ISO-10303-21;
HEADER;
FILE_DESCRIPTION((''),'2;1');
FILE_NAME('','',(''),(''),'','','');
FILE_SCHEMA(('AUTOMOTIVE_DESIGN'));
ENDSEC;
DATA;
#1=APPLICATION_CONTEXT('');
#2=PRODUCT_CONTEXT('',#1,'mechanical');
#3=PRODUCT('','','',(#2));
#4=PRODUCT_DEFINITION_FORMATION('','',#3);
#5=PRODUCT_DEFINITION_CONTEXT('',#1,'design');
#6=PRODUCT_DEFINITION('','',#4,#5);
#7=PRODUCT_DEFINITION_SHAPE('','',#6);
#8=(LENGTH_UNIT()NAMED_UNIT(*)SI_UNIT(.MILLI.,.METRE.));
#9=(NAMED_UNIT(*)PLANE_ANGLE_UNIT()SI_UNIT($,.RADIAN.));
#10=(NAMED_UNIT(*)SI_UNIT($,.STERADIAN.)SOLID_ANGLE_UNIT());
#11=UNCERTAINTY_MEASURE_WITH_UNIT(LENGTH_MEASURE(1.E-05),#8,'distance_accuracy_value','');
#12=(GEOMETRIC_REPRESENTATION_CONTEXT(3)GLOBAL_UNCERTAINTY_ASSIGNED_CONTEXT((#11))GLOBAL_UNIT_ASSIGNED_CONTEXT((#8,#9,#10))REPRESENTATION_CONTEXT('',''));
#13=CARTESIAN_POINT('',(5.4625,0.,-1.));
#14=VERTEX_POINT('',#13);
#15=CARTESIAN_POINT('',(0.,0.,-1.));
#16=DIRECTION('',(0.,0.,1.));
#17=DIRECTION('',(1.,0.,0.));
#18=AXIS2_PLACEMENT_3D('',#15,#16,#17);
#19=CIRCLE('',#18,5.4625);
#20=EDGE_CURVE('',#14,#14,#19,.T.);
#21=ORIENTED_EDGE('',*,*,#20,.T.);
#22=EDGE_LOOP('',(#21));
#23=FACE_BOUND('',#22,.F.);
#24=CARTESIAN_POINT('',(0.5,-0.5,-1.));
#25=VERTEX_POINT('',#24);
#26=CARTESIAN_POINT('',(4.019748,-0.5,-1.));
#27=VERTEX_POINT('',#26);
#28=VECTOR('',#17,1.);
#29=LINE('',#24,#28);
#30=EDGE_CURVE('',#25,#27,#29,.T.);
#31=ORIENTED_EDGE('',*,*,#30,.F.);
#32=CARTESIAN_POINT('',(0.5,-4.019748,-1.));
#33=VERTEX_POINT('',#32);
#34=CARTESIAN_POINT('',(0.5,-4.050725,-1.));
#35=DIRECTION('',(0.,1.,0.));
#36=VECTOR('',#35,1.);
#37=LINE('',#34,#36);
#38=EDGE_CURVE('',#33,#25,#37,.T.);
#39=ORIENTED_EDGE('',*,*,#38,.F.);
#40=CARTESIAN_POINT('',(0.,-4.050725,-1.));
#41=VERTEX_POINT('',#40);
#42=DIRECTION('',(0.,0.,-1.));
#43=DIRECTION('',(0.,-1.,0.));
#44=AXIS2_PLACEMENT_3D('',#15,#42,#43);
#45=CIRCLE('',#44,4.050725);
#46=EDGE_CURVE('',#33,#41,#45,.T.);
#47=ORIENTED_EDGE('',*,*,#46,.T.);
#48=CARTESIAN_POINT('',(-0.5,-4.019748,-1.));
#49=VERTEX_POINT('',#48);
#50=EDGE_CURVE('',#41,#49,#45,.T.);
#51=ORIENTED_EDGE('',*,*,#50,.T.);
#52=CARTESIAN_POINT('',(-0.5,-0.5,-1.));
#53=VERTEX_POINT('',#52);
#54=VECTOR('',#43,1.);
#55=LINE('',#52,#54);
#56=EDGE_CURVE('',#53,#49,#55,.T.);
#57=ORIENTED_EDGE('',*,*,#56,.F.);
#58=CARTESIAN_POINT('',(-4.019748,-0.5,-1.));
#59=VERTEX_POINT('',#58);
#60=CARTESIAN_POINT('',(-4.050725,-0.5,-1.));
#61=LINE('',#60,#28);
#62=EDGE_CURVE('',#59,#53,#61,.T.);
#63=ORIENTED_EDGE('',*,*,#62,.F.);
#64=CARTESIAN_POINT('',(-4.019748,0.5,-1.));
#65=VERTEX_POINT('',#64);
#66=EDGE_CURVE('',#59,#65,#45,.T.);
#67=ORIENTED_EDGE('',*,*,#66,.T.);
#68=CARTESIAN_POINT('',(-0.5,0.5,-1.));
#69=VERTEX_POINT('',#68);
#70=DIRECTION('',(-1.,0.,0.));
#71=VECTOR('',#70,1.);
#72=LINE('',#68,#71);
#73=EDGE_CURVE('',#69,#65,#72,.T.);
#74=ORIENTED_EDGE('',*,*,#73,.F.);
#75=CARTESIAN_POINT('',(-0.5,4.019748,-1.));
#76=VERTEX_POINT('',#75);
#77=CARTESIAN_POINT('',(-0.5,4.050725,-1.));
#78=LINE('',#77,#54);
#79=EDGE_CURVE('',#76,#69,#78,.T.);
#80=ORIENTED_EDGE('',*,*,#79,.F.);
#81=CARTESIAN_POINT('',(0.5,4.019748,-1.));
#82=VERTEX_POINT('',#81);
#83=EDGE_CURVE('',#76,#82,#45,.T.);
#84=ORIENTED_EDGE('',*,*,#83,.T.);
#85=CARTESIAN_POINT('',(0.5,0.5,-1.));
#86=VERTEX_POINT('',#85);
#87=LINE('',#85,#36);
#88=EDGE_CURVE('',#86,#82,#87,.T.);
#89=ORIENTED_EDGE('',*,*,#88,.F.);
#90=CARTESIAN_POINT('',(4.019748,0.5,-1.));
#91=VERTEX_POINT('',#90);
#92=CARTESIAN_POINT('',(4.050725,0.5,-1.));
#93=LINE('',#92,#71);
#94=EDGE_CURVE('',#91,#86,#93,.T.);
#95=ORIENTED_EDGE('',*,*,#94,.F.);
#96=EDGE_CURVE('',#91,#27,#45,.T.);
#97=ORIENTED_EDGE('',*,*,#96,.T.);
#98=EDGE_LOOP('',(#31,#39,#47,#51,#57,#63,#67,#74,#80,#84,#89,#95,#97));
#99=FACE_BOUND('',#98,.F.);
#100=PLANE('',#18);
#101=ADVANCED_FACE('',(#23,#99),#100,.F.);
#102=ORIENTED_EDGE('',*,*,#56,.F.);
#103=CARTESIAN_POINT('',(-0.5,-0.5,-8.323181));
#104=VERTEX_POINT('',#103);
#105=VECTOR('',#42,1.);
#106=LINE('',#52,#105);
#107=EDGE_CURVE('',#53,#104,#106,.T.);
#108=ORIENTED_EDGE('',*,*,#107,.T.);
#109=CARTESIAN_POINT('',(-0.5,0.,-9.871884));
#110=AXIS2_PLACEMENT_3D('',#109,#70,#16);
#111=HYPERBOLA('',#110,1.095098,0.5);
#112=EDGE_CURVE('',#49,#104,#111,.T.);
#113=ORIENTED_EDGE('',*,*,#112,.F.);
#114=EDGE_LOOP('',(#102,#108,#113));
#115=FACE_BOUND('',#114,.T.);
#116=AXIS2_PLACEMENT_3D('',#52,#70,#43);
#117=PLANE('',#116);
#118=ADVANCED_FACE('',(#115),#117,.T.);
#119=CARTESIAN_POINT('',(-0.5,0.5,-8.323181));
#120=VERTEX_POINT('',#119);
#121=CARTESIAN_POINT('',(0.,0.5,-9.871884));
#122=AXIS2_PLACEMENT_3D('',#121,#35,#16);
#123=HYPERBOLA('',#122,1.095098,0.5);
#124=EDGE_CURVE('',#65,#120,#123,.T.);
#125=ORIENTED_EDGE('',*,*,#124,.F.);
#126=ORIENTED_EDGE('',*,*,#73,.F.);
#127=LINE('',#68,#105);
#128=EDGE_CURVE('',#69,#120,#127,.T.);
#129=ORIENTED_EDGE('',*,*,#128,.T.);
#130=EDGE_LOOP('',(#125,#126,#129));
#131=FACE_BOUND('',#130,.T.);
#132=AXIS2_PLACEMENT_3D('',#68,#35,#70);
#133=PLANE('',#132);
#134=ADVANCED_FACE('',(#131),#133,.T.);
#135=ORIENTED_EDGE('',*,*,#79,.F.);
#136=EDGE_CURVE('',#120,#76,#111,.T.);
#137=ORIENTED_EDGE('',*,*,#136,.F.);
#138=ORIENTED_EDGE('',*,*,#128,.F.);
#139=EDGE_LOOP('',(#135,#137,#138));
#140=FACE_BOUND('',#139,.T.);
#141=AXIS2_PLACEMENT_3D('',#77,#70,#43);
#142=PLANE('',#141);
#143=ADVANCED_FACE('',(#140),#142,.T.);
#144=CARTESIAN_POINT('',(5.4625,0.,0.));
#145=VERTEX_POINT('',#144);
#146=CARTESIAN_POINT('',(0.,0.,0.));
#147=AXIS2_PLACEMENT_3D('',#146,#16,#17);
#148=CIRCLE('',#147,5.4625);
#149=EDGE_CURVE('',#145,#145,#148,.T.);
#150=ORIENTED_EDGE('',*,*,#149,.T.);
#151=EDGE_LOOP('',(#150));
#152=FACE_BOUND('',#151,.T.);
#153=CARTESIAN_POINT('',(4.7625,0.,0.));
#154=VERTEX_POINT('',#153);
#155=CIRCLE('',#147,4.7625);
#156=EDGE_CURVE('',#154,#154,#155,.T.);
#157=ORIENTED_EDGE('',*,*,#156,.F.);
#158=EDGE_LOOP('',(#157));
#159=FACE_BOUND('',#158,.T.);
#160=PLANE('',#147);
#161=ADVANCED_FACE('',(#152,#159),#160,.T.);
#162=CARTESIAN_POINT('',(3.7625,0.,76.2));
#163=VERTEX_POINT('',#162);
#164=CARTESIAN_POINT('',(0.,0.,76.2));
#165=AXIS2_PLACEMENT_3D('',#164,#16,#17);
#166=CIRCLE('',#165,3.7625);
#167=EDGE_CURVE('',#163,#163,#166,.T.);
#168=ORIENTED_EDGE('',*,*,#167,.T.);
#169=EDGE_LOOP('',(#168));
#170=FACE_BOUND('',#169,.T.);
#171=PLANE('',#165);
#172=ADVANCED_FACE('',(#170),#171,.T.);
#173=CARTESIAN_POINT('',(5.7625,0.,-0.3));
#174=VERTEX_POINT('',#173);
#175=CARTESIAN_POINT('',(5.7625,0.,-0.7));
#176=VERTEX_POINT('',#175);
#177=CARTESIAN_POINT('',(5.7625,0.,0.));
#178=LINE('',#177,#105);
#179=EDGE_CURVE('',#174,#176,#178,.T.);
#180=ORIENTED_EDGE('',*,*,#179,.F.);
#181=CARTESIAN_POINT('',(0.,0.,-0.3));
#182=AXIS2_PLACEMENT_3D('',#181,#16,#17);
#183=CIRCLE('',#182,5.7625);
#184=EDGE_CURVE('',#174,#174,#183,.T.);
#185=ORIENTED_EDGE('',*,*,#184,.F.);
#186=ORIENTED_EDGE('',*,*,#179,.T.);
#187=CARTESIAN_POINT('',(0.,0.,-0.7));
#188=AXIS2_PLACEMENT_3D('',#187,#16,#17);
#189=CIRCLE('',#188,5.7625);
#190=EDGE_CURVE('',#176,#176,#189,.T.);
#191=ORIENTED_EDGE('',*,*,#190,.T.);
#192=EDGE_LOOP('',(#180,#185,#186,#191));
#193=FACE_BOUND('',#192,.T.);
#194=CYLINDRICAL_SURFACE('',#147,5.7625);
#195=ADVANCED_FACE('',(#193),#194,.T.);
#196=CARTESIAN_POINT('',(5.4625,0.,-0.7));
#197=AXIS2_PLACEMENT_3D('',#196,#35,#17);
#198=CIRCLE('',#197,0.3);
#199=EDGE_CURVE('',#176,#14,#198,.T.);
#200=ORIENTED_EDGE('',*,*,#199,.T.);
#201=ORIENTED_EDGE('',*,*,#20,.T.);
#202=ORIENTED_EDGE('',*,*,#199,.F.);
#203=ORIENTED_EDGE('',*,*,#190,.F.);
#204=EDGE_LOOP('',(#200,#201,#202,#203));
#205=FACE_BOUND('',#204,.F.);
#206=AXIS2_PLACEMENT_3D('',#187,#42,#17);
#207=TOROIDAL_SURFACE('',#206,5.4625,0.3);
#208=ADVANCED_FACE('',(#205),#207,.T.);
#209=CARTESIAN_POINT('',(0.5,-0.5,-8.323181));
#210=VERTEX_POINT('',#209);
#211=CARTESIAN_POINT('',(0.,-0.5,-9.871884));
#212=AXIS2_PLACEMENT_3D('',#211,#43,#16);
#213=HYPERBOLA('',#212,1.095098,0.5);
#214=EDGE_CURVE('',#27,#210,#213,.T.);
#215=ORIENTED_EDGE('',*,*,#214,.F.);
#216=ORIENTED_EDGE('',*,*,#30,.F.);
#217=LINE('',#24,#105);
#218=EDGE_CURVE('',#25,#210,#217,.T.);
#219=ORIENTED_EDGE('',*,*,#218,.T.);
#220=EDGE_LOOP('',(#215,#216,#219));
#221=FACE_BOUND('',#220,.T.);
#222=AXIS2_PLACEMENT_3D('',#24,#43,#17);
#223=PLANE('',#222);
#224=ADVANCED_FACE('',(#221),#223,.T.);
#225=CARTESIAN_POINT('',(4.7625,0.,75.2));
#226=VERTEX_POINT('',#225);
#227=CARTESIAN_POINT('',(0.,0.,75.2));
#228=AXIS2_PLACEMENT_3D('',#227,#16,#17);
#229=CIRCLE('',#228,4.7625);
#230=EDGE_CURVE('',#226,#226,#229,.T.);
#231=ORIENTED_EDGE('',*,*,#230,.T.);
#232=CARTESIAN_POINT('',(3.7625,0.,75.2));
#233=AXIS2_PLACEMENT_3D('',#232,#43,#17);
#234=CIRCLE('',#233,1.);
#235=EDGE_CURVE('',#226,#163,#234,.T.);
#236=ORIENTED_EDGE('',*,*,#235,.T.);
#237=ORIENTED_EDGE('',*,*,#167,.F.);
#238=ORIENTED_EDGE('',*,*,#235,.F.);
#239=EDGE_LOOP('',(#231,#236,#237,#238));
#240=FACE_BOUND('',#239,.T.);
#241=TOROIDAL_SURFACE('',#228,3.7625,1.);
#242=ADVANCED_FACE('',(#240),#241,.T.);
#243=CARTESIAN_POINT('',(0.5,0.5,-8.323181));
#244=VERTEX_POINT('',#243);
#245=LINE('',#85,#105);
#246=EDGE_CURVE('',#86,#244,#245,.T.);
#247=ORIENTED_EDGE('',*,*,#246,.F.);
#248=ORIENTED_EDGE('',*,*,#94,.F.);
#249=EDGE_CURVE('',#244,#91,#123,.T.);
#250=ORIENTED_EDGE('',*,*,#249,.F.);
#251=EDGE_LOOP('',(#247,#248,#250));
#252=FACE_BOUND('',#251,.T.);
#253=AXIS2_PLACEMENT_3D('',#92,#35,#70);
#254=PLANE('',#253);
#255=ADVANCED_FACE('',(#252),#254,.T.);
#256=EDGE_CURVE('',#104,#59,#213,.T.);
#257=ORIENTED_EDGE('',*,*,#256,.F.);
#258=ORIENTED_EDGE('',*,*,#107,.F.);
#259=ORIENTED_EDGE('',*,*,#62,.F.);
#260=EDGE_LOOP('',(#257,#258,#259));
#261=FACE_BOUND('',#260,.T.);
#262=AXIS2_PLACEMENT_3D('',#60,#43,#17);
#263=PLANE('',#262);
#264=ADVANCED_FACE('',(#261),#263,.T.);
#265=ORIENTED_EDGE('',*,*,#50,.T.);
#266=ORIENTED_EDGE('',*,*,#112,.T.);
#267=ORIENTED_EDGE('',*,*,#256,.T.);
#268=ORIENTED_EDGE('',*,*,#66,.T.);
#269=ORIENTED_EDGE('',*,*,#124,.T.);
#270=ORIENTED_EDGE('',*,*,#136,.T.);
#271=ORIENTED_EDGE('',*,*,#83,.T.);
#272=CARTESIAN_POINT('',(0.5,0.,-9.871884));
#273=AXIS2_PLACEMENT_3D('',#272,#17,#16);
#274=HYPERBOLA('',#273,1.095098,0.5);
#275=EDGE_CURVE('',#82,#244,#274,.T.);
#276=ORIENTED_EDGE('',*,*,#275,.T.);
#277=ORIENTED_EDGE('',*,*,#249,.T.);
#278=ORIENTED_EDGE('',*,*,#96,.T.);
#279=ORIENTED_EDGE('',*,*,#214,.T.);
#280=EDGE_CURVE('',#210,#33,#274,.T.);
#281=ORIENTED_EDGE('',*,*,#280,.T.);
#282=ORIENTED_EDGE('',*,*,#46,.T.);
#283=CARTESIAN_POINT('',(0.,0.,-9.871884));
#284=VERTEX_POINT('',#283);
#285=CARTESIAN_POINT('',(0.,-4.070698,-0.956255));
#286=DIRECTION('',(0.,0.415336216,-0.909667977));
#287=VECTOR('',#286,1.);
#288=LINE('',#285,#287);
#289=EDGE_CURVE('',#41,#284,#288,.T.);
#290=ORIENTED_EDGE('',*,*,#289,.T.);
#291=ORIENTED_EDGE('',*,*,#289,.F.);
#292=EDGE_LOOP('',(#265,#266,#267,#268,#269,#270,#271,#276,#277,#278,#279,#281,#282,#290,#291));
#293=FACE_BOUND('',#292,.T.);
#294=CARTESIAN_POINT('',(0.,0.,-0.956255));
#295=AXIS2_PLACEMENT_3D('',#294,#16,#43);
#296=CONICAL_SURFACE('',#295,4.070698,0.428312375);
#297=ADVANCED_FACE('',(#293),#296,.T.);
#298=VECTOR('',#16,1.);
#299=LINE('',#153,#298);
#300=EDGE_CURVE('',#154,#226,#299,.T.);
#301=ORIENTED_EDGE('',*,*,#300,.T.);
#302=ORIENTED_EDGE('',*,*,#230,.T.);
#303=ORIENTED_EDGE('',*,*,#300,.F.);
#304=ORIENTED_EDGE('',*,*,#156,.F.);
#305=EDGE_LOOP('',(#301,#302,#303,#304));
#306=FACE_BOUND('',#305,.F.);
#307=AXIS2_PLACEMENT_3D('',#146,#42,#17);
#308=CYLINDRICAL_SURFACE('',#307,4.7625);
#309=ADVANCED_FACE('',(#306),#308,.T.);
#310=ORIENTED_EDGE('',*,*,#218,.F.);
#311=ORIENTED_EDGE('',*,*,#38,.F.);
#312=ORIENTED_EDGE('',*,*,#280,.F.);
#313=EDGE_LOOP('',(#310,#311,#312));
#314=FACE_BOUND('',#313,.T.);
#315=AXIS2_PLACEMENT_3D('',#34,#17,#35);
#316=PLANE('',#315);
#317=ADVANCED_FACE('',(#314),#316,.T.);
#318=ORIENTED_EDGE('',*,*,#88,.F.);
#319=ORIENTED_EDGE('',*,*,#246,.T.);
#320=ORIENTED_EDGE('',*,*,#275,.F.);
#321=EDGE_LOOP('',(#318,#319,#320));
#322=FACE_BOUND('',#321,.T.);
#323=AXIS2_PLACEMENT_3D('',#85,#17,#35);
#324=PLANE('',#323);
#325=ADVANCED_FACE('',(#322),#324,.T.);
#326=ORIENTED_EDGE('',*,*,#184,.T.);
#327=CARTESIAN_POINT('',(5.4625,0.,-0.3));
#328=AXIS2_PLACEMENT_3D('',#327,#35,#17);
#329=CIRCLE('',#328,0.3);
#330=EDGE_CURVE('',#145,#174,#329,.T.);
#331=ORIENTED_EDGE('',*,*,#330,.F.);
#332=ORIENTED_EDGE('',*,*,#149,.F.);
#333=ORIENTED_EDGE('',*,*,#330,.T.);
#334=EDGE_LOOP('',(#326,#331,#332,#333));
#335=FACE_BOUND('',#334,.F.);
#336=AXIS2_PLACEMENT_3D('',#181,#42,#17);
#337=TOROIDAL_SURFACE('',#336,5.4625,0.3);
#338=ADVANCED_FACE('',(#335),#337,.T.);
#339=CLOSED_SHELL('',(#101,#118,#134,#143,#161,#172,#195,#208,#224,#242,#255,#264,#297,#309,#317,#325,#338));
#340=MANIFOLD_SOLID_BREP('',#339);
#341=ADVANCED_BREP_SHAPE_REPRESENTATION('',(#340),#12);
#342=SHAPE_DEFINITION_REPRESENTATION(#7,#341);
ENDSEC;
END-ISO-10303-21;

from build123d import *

# Parameters (mm, degrees)
F0_R     = 4.7625
F1_DEPTH = 76.2
F2_R     = 5.7625
F3_DEPTH = 1
F7_DEPTH = 25
F8_R     = 1
F9_R     = 0.3


with BuildPart() as f1:
    # F0 (on Top) → F1 (new body)
    with BuildSketch(Plane.XY):
        Circle(F0_R)
    extrude(amount=F1_DEPTH)

    # F2 (on Top) → F3 (join)
    with BuildSketch(Plane.XY):
        Circle(F2_R)
    extrude(amount=-F3_DEPTH)

    # F4 (on Right) → F5 (revolve)
    with BuildSketch(Plane.YZ):
        Polygon((0, -9.871884), (0, -0.956255), (-4.070698, -0.956255), align=None)
    revolve(axis=Axis((0, 0, -5.41407), (0, 0, -1)))

    # F6 (on face) → F7 (cut)
    with BuildSketch(Plane(origin=(0, 0, -1), x_dir=(1, 0, 0), z_dir=(0, 0, -1))):
        with BuildLine():
            Line((0.5, -0.5), (0.5, -4.050725))
            ThreePointArc((0.5, -4.050725), (2.886033, -2.886033), (4.050725, -0.5))
            Line((4.050725, -0.5), (0.5, -0.5))
        make_face()
        with BuildLine():
            ThreePointArc((-4.050725, -0.5), (-2.886033, -2.886033), (-0.5, -4.050725))
            Line((-0.5, -4.050725), (-0.5, -0.5))
            Line((-0.5, -0.5), (-4.050725, -0.5))
        make_face()
        with BuildLine():
            ThreePointArc((-0.5, 4.050725), (-2.886033, 2.886033), (-4.050725, 0.5))
            Line((-4.050725, 0.5), (-0.5, 0.5))
            Line((-0.5, 0.5), (-0.5, 4.050725))
        make_face()
        with BuildLine():
            Line((0.5, 4.050725), (0.5, 0.5))
            Line((0.5, 0.5), (4.050725, 0.5))
            ThreePointArc((4.050725, 0.5), (2.886033, 2.886033), (0.5, 4.050725))
        make_face()
    extrude(amount=F7_DEPTH, mode=Mode.SUBTRACT)

    # F8
    f8_edges = [f1.edges().sort_by_distance(p)[0] for p in [
        (-4.7625, 0, 76.2),
    ]]
    fillet(f8_edges, radius=F8_R)

    # F9
    f9_edges = [f1.edges().sort_by_distance(p)[0] for p in [
        (-5.7625, 0, 0),
        (-5.7625, 0, -1),
    ]]
    fillet(f9_edges, radius=F9_R)


solid = f1.part
